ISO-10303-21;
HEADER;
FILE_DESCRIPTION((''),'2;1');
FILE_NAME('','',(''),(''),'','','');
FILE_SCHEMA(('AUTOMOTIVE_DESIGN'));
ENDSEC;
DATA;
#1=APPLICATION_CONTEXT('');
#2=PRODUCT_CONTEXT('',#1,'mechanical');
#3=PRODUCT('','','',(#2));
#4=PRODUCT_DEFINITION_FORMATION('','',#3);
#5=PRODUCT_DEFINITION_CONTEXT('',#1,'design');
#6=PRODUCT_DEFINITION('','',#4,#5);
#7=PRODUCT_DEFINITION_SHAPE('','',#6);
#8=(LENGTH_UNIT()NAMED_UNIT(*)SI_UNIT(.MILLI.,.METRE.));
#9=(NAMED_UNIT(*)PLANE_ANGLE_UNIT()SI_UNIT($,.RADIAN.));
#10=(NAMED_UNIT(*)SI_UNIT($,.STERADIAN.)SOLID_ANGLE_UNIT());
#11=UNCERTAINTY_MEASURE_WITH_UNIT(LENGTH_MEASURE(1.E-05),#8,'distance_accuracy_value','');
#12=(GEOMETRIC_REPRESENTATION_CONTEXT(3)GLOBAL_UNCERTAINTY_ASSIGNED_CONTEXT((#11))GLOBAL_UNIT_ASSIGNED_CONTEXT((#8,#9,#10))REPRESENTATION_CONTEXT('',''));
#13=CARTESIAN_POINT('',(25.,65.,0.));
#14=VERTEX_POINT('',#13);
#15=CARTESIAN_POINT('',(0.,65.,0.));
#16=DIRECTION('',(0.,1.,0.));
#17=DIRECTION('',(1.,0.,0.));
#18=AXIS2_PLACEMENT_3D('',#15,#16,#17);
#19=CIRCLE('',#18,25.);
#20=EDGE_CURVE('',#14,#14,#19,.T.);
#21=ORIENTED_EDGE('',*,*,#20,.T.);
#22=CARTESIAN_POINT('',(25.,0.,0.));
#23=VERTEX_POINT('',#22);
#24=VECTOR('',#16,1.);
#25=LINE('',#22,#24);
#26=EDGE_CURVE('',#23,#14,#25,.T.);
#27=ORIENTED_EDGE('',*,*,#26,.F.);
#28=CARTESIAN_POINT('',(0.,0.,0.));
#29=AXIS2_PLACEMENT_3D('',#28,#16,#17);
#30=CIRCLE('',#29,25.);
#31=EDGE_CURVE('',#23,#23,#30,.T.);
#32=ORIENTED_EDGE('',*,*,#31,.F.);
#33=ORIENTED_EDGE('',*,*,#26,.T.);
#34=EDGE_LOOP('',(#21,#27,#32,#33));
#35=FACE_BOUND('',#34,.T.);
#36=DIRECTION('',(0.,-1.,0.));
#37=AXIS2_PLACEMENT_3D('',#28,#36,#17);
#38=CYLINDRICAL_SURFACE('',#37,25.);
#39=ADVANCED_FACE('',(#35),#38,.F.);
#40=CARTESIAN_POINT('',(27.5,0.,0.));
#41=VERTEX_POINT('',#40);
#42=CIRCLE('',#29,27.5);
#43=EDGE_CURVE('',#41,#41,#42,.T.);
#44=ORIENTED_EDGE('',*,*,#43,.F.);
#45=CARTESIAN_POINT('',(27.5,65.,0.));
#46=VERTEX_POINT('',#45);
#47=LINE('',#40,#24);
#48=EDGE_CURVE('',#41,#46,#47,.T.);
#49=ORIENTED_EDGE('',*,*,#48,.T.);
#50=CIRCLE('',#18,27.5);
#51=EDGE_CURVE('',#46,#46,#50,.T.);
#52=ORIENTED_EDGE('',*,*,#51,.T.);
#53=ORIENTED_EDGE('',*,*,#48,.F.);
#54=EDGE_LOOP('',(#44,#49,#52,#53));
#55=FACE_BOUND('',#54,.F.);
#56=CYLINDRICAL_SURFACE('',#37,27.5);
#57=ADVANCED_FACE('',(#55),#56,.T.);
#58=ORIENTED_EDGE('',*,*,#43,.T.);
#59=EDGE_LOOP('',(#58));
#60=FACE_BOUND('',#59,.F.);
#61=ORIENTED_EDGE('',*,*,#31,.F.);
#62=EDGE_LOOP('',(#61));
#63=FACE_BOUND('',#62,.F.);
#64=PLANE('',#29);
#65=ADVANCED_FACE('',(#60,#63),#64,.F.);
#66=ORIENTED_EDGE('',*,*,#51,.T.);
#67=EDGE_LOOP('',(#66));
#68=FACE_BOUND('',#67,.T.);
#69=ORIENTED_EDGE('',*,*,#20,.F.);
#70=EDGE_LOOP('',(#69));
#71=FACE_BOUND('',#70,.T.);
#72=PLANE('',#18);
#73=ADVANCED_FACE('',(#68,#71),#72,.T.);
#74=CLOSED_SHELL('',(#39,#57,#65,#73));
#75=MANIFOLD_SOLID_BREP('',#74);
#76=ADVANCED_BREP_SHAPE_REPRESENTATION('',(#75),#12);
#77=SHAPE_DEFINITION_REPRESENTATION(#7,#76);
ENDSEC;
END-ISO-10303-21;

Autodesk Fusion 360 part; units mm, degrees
sketch "Sketch1" plane through (0, 0, 0) normal (0, 1, 0) x (1, 0, 0)
  circle A0 centre (0, 0) radius 27.5
  circle A1 centre (0, 0) radius 25
  dimension "d1" = 55
extrude "Extrude1" add sketch "Sketch1" along normal blind 65
